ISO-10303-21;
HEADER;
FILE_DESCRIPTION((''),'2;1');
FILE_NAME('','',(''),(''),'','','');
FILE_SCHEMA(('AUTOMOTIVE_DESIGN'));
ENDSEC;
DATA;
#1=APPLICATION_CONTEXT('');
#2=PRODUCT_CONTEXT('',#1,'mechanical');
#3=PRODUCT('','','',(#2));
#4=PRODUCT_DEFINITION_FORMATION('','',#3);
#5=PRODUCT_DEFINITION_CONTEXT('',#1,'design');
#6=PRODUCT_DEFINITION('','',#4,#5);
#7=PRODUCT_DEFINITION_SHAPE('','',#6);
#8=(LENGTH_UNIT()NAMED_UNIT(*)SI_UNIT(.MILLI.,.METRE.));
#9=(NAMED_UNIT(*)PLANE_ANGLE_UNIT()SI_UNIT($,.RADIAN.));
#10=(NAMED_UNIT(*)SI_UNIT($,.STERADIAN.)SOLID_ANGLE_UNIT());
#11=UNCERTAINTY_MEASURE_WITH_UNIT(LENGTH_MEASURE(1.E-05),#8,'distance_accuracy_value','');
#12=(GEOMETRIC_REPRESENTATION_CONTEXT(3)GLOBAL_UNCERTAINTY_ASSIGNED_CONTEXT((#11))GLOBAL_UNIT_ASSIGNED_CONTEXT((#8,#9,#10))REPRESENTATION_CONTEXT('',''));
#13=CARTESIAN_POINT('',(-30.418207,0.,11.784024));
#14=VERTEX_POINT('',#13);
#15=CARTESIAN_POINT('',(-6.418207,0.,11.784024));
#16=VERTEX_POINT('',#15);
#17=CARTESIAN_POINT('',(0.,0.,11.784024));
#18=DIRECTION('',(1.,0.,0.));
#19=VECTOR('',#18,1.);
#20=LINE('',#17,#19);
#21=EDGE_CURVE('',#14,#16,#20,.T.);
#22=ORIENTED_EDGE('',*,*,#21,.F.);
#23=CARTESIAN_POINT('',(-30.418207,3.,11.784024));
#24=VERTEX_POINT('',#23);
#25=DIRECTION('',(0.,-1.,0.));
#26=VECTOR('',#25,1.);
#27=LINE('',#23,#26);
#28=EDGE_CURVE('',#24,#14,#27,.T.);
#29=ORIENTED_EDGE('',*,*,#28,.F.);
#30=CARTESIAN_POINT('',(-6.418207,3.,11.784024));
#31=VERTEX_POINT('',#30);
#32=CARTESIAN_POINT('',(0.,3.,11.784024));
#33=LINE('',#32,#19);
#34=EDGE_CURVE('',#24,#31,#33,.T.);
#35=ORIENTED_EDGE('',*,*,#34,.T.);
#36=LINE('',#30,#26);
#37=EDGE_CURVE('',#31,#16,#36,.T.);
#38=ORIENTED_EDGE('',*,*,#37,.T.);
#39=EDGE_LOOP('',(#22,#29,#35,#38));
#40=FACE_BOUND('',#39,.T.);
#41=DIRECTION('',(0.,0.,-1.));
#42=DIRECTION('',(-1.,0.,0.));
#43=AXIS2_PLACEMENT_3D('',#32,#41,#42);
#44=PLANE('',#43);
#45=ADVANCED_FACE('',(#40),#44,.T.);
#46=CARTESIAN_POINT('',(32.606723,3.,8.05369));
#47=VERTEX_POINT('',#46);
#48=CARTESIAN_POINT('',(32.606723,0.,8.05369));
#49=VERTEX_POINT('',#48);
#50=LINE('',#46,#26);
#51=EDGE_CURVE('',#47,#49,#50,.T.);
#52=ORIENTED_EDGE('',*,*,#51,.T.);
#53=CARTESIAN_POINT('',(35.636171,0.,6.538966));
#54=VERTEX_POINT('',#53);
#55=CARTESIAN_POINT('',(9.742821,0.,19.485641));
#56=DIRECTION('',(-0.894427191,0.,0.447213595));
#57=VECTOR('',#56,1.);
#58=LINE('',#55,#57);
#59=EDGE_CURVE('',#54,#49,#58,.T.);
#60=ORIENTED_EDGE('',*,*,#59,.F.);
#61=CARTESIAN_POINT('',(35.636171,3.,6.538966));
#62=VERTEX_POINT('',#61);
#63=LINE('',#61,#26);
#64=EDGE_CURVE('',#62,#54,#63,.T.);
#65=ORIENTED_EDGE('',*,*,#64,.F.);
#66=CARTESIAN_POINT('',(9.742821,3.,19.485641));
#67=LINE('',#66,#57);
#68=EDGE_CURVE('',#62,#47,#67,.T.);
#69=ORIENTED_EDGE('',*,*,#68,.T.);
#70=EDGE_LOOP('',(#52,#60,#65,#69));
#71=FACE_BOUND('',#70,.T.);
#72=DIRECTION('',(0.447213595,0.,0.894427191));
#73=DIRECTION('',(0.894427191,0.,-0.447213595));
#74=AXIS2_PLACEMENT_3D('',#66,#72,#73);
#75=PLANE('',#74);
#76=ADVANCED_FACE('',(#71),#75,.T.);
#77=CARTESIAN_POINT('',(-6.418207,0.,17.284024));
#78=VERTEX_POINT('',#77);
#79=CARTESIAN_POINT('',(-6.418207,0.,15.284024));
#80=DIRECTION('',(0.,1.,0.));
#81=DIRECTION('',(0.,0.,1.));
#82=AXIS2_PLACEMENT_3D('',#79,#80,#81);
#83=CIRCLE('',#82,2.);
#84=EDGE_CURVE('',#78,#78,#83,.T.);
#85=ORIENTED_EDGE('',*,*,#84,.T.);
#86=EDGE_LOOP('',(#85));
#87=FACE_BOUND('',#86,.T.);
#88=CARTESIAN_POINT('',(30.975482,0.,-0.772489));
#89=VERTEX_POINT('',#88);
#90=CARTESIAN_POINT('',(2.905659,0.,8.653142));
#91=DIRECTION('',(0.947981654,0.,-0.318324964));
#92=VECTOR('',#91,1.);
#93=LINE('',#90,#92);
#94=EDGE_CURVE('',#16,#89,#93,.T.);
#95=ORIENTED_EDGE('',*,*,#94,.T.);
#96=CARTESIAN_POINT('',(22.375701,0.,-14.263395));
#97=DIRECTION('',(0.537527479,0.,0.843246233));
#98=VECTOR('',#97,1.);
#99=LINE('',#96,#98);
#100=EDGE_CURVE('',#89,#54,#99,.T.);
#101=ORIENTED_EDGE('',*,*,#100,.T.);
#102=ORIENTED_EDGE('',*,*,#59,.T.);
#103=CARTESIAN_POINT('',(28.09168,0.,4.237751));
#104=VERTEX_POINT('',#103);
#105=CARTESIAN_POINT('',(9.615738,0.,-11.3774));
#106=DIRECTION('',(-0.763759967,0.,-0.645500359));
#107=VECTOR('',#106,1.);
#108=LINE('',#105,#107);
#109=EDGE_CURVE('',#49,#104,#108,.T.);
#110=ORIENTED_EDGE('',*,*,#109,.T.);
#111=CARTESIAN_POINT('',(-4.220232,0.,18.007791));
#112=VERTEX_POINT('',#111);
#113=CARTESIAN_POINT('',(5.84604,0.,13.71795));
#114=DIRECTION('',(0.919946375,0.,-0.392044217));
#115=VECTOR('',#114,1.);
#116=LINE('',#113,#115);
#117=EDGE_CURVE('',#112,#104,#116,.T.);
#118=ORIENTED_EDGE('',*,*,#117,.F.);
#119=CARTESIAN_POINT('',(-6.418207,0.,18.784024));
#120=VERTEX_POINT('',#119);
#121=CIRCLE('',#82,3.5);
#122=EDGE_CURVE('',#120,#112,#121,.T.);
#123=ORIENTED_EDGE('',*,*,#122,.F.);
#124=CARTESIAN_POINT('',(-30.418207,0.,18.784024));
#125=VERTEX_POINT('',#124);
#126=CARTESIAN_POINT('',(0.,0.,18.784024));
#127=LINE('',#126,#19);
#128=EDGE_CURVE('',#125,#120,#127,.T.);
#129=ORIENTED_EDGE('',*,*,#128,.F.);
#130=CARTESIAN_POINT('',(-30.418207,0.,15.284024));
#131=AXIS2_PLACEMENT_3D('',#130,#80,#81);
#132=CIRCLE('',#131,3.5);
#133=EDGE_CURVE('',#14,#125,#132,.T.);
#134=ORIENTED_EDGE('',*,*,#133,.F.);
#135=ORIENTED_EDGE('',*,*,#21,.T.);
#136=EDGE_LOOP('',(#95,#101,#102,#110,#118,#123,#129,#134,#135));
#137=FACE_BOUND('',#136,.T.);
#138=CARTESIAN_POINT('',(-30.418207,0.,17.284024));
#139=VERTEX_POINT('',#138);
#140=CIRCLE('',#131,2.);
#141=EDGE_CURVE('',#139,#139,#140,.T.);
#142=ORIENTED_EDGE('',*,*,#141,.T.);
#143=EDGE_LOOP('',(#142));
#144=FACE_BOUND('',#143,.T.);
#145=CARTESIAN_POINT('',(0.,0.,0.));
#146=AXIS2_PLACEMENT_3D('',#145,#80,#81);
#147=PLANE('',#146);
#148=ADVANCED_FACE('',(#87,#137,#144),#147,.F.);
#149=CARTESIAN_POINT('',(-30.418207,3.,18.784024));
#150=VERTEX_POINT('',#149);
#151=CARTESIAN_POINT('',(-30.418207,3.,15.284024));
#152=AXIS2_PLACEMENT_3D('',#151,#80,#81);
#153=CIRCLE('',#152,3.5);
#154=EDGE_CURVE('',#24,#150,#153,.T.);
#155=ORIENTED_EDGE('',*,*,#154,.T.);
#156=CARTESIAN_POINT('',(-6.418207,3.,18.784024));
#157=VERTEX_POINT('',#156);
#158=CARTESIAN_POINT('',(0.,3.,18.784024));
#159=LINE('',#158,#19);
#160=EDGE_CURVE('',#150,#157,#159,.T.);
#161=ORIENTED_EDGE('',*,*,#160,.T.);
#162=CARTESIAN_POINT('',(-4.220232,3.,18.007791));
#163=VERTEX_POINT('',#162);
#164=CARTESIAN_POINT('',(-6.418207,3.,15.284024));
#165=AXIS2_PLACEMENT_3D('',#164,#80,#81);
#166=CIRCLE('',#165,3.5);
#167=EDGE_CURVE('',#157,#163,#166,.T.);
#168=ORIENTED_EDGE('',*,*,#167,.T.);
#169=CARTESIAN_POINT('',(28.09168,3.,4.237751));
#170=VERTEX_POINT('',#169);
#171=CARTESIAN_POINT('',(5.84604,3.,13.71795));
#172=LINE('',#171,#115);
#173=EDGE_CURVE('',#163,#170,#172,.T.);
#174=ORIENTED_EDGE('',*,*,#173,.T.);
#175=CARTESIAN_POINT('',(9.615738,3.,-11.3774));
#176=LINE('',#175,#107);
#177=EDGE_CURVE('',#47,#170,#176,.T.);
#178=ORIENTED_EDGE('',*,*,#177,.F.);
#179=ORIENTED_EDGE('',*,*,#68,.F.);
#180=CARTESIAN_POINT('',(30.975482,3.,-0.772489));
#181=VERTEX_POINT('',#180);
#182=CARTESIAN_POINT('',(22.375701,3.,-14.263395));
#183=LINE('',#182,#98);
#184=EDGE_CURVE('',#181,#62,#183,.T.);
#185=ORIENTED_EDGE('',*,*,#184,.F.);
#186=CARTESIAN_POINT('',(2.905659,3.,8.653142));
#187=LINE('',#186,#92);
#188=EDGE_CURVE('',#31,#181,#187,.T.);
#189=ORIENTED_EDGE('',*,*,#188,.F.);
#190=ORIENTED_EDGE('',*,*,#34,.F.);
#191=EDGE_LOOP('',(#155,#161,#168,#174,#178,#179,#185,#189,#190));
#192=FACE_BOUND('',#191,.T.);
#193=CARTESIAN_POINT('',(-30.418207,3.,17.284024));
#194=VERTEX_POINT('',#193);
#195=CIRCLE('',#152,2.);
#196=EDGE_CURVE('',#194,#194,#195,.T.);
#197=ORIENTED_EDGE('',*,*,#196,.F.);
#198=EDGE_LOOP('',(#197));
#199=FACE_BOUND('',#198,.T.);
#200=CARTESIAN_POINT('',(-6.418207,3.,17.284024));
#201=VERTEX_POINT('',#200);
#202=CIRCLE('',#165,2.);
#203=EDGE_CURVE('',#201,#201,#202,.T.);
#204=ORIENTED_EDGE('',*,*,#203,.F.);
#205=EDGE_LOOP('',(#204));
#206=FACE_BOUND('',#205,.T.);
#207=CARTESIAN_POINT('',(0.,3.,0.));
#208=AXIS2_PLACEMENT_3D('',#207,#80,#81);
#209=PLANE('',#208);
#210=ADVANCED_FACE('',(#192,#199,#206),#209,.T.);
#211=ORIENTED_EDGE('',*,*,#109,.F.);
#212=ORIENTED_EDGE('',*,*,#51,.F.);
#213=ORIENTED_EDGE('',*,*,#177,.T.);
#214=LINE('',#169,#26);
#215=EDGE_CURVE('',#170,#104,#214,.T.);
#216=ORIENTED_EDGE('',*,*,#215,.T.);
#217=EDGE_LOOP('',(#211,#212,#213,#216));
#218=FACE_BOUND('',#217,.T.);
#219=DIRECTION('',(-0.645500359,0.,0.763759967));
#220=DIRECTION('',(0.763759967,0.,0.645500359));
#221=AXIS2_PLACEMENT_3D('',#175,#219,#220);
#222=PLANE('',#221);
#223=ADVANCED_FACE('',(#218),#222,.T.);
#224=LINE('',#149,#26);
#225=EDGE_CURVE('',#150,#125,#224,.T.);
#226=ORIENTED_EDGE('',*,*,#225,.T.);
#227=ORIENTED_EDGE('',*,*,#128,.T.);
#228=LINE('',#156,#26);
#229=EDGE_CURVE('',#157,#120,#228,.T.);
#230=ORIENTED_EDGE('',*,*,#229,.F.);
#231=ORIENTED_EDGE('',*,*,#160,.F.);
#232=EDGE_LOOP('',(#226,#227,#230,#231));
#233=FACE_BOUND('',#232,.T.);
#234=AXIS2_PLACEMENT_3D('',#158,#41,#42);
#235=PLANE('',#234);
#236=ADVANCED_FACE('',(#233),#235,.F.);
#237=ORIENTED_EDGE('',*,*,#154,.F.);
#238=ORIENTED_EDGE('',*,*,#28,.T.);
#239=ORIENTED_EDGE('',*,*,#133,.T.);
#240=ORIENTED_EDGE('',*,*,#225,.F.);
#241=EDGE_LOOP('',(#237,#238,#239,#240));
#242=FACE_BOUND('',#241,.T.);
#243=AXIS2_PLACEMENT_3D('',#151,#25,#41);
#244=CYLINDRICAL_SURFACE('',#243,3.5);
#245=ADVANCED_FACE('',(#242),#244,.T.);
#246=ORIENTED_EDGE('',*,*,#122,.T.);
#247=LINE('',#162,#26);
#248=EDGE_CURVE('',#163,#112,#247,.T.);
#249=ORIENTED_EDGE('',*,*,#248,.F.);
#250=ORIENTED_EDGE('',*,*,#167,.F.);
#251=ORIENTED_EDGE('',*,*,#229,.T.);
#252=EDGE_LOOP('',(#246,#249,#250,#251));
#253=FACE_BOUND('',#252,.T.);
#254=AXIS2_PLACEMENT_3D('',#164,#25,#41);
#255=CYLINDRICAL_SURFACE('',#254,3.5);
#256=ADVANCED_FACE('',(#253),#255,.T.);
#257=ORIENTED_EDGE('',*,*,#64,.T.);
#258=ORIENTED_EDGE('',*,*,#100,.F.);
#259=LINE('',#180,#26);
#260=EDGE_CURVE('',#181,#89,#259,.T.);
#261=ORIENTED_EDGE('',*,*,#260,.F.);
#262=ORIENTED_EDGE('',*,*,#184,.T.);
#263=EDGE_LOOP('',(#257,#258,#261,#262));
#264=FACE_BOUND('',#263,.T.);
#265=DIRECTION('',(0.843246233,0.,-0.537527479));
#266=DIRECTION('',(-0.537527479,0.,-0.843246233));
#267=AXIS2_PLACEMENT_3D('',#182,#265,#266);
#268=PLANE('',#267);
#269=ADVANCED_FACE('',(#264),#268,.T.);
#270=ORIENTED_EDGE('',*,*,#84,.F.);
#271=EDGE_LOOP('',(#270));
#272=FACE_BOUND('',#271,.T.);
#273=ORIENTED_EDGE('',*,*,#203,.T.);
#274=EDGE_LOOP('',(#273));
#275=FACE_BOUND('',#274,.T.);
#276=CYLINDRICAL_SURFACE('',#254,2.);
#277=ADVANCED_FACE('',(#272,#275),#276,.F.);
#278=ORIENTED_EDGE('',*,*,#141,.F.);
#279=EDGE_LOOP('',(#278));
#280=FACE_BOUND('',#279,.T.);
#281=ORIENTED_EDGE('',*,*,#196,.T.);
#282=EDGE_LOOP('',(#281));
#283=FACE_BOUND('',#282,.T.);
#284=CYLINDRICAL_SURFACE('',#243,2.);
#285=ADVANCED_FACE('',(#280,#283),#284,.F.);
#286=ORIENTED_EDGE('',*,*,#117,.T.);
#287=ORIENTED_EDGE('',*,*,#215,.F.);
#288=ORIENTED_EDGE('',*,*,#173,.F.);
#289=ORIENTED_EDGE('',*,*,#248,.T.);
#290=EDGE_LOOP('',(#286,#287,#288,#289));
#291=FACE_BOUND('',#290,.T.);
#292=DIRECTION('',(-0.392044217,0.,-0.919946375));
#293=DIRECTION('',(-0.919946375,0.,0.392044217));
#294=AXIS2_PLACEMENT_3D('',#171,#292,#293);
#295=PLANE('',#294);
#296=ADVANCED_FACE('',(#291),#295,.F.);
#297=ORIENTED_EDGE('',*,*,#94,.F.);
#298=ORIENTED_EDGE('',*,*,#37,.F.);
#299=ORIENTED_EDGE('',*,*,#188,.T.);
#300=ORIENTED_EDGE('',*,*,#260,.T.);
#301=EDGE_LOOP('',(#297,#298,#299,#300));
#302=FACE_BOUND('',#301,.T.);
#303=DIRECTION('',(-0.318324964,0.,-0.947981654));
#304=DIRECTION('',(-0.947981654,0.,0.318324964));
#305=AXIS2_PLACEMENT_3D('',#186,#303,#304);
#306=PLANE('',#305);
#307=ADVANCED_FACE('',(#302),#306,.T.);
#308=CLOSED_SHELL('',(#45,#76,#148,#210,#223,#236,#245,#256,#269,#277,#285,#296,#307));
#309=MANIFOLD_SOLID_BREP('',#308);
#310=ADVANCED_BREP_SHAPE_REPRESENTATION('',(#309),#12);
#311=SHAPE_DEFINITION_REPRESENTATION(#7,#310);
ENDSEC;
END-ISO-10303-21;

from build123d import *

# Parameters (mm, degrees)
SKETCH_1_R      = 3.5
SKETCH_1_R_2    = 2
EXTRUDE_2_DEPTH = 3


with BuildPart() as part:
    # ｽｹｯﾁ1 → ﾎﾞｽ - 押し出し2 (new body)
    # profile 1 of 4: a face of its own
    with BuildSketch(Plane(origin=(0, 0, 0), x_dir=(1, 0, 0), z_dir=(0, 1, 0))):
        with BuildLine():
            Line((-30.418207164, -18.784024388), (-6.418207164, -18.784024388))
            ThreePointArc((-6.418207164, -18.784024388), (-9.918207164, -15.284024388), (-6.418207164, -11.784024388))
            Line((-6.418207164, -11.784024388), (-30.418207164, -11.784024388))
            ThreePointArc((-30.418207164, -11.784024388), (-27.94333343, -12.809150654), (-26.918207164, -15.284024388))
            ThreePointArc((-26.918207164, -15.284024388), (-27.94333343, -17.758898122), (-30.418207164, -18.784024388))
        make_face()
    # profile 2 of 4: a face of its own
    with BuildSketch(Plane(origin=(0, 0, 0), x_dir=(1, 0, 0), z_dir=(0, 1, 0))):
        with Locations((-30.418207164, -15.284024388)):
            Circle(SKETCH_1_R)
        with Locations(Location((-30.418207164, -15.284024388, 0), (0, 0, 270))):
            Circle(SKETCH_1_R_2, mode=Mode.SUBTRACT)
    # profile 3 of 4: a face of its own
    with BuildSketch(Plane(origin=(0, 0, 0), x_dir=(1, 0, 0), z_dir=(0, 1, 0))):
        with Locations((-6.418207164, -15.284024388)):
            Circle(SKETCH_1_R)
        with Locations(Location((-6.418207164, -15.284024388, 0), (0, 0, 270))):
            Circle(SKETCH_1_R_2, mode=Mode.SUBTRACT)
    # profile 4 of 4: a face of its own
    with BuildSketch(Plane(origin=(0, 0, 0), x_dir=(1, 0, 0), z_dir=(0, 1, 0))):
        with BuildLine():
            ThreePointArc((-2.918207164, -15.284024388), (-3.260445919, -16.793509042), (-4.220232261, -18.007791325))
            Line((-4.220232261, -18.007791325), (28.091680373, -4.237751216))
            Line((28.091680373, -4.237751216), (32.606722729, -8.053690239))
            Line((32.606722729, -8.053690239), (35.636170503, -6.538966352))
            Line((35.636170503, -6.538966352), (30.97548162, 0.772489334))
            Line((30.97548162, 0.772489334), (-6.418207164, -11.784024388))
            ThreePointArc((-6.418207164, -11.784024388), (-3.94333343, -12.809150654), (-2.918207164, -15.284024388))
        make_face()
    extrude(amount=EXTRUDE_2_DEPTH)


solid = part.part
